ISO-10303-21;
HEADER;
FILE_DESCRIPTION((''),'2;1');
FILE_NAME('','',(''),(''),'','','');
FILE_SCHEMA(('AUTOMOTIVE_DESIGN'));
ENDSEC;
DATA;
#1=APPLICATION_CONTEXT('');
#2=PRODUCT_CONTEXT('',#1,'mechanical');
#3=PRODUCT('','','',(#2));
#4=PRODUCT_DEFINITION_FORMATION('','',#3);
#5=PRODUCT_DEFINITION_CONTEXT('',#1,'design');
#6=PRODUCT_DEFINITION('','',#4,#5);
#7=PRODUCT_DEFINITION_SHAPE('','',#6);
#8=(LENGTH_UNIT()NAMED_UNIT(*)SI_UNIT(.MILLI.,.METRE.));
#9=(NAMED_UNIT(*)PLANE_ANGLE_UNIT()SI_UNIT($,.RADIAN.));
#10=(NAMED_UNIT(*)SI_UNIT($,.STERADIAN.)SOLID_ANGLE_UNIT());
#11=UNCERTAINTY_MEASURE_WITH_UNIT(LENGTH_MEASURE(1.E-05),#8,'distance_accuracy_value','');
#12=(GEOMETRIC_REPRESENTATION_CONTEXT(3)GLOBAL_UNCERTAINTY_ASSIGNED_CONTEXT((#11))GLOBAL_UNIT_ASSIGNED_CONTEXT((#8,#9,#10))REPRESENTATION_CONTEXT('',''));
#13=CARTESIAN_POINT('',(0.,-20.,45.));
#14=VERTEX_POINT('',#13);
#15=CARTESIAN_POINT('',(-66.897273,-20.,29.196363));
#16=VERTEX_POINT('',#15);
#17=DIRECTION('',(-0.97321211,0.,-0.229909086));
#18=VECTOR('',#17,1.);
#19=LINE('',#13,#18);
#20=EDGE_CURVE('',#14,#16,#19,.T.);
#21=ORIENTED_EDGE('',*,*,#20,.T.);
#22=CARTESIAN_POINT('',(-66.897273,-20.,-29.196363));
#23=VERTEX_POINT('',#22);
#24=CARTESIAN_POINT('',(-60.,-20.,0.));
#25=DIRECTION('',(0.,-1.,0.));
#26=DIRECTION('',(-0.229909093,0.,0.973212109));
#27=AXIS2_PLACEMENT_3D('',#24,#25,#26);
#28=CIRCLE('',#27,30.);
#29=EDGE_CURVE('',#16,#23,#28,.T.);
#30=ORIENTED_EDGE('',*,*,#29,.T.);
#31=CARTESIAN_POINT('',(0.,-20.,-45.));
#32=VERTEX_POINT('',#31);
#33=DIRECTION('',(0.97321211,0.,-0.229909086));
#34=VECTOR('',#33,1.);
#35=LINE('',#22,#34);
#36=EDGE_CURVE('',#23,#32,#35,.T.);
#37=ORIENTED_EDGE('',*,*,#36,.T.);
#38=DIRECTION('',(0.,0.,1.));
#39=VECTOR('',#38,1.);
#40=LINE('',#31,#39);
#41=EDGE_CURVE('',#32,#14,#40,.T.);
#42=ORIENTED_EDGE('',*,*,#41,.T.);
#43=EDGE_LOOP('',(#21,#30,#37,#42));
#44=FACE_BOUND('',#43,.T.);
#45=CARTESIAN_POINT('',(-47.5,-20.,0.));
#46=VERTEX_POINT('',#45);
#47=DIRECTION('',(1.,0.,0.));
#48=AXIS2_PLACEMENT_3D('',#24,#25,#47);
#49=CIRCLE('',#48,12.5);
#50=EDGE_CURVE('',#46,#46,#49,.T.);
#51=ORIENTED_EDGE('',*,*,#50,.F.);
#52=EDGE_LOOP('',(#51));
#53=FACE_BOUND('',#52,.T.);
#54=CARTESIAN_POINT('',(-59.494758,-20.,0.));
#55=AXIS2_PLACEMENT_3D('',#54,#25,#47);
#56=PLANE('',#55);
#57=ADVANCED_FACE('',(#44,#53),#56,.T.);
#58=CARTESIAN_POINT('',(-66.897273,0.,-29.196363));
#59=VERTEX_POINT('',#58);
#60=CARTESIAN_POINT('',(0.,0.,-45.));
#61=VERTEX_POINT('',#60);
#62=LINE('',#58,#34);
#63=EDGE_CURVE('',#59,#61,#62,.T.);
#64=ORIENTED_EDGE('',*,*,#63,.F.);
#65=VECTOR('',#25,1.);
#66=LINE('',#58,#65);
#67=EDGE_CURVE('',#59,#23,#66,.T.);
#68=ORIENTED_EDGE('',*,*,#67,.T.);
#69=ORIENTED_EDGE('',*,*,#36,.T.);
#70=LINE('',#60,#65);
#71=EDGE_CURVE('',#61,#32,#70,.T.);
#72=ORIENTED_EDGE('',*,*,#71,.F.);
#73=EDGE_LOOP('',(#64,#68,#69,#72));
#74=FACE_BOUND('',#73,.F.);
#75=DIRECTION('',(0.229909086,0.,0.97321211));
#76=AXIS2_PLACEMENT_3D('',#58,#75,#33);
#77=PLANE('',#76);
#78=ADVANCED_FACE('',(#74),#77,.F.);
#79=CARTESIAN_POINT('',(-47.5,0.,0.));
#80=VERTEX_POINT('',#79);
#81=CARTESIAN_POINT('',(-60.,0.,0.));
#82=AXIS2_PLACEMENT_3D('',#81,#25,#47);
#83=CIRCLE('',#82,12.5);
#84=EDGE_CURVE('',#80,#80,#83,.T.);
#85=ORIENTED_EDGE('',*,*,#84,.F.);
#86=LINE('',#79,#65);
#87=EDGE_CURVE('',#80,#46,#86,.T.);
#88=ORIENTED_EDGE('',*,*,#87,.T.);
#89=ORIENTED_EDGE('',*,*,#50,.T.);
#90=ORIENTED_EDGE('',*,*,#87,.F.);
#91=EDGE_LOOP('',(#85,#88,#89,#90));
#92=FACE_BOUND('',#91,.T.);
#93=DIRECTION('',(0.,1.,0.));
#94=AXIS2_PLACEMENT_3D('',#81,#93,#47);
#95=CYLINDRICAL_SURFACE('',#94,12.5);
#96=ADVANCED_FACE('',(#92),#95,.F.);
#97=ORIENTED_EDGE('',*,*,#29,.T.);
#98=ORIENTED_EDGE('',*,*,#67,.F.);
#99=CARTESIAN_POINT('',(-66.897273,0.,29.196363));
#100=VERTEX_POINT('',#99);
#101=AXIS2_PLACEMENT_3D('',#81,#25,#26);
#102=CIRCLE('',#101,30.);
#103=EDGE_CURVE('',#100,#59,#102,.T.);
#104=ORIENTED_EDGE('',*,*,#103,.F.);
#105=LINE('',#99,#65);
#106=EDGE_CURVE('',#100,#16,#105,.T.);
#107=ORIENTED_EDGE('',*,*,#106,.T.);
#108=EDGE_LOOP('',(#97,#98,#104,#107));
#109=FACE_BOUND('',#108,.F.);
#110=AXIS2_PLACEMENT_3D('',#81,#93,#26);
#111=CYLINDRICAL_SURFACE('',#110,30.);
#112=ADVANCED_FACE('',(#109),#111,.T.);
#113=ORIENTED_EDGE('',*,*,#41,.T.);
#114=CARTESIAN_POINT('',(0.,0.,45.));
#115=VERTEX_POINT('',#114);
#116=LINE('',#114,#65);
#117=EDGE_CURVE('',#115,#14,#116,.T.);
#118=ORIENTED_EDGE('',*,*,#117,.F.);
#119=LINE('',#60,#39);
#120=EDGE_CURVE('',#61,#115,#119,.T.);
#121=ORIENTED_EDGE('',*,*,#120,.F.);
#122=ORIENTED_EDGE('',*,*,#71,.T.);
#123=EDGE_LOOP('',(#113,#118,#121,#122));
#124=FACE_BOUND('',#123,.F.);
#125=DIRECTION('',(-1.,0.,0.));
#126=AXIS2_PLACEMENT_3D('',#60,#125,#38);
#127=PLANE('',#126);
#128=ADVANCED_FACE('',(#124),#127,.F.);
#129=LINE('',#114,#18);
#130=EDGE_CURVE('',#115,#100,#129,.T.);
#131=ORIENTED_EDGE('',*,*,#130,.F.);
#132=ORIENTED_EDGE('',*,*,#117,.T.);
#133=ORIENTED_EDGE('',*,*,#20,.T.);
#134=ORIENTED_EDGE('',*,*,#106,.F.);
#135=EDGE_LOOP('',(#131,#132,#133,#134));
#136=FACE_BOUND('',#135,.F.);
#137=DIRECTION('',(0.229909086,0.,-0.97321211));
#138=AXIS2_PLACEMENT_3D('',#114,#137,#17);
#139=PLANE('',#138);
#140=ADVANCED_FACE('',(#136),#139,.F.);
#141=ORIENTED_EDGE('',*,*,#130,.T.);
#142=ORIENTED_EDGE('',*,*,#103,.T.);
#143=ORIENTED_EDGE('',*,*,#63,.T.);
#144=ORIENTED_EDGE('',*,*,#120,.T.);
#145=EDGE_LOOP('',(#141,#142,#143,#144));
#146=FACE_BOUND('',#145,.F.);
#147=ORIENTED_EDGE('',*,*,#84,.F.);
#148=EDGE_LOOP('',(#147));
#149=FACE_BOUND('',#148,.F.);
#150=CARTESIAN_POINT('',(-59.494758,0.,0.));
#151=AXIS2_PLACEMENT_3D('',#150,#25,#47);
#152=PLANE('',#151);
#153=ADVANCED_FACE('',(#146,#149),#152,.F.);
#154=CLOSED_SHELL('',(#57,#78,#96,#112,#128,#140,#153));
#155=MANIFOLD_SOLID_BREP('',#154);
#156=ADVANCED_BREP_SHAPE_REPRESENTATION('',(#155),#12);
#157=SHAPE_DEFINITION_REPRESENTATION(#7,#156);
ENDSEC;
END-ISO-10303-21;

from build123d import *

# Parameters (mm, degrees)
F0_R     = 12.5
F1_DEPTH = 20


with BuildPart() as f1:
    # F0 (on Front) → F1 (new body)
    with BuildSketch(Plane.XZ):
        with BuildLine():
            ThreePointArc((-66.897273, -29.196363), (-41.384391, -23.525711), (-30, 0))
            ThreePointArc((-30, 0), (-41.384391, 23.525711), (-66.897273, 29.196363))
            ThreePointArc((-66.897273, 29.196363), (-90, 0), (-66.897273, -29.196363))
        make_face()
        with Locations((-60, 0)):
            Circle(F0_R, mode=Mode.SUBTRACT)
        with BuildLine():
            ThreePointArc((-66.897273, 29.196363), (-41.384391, 23.525711), (-30, 0))
            ThreePointArc((-30, 0), (-41.384391, -23.525711), (-66.897273, -29.196363))
            Line((-66.897273, -29.196363), (0, -45))
            Line((0, -45), (0, 45))
            Line((0, 45), (-66.897273, 29.196363))
        make_face()
    extrude(amount=F1_DEPTH)


solid = f1.part
